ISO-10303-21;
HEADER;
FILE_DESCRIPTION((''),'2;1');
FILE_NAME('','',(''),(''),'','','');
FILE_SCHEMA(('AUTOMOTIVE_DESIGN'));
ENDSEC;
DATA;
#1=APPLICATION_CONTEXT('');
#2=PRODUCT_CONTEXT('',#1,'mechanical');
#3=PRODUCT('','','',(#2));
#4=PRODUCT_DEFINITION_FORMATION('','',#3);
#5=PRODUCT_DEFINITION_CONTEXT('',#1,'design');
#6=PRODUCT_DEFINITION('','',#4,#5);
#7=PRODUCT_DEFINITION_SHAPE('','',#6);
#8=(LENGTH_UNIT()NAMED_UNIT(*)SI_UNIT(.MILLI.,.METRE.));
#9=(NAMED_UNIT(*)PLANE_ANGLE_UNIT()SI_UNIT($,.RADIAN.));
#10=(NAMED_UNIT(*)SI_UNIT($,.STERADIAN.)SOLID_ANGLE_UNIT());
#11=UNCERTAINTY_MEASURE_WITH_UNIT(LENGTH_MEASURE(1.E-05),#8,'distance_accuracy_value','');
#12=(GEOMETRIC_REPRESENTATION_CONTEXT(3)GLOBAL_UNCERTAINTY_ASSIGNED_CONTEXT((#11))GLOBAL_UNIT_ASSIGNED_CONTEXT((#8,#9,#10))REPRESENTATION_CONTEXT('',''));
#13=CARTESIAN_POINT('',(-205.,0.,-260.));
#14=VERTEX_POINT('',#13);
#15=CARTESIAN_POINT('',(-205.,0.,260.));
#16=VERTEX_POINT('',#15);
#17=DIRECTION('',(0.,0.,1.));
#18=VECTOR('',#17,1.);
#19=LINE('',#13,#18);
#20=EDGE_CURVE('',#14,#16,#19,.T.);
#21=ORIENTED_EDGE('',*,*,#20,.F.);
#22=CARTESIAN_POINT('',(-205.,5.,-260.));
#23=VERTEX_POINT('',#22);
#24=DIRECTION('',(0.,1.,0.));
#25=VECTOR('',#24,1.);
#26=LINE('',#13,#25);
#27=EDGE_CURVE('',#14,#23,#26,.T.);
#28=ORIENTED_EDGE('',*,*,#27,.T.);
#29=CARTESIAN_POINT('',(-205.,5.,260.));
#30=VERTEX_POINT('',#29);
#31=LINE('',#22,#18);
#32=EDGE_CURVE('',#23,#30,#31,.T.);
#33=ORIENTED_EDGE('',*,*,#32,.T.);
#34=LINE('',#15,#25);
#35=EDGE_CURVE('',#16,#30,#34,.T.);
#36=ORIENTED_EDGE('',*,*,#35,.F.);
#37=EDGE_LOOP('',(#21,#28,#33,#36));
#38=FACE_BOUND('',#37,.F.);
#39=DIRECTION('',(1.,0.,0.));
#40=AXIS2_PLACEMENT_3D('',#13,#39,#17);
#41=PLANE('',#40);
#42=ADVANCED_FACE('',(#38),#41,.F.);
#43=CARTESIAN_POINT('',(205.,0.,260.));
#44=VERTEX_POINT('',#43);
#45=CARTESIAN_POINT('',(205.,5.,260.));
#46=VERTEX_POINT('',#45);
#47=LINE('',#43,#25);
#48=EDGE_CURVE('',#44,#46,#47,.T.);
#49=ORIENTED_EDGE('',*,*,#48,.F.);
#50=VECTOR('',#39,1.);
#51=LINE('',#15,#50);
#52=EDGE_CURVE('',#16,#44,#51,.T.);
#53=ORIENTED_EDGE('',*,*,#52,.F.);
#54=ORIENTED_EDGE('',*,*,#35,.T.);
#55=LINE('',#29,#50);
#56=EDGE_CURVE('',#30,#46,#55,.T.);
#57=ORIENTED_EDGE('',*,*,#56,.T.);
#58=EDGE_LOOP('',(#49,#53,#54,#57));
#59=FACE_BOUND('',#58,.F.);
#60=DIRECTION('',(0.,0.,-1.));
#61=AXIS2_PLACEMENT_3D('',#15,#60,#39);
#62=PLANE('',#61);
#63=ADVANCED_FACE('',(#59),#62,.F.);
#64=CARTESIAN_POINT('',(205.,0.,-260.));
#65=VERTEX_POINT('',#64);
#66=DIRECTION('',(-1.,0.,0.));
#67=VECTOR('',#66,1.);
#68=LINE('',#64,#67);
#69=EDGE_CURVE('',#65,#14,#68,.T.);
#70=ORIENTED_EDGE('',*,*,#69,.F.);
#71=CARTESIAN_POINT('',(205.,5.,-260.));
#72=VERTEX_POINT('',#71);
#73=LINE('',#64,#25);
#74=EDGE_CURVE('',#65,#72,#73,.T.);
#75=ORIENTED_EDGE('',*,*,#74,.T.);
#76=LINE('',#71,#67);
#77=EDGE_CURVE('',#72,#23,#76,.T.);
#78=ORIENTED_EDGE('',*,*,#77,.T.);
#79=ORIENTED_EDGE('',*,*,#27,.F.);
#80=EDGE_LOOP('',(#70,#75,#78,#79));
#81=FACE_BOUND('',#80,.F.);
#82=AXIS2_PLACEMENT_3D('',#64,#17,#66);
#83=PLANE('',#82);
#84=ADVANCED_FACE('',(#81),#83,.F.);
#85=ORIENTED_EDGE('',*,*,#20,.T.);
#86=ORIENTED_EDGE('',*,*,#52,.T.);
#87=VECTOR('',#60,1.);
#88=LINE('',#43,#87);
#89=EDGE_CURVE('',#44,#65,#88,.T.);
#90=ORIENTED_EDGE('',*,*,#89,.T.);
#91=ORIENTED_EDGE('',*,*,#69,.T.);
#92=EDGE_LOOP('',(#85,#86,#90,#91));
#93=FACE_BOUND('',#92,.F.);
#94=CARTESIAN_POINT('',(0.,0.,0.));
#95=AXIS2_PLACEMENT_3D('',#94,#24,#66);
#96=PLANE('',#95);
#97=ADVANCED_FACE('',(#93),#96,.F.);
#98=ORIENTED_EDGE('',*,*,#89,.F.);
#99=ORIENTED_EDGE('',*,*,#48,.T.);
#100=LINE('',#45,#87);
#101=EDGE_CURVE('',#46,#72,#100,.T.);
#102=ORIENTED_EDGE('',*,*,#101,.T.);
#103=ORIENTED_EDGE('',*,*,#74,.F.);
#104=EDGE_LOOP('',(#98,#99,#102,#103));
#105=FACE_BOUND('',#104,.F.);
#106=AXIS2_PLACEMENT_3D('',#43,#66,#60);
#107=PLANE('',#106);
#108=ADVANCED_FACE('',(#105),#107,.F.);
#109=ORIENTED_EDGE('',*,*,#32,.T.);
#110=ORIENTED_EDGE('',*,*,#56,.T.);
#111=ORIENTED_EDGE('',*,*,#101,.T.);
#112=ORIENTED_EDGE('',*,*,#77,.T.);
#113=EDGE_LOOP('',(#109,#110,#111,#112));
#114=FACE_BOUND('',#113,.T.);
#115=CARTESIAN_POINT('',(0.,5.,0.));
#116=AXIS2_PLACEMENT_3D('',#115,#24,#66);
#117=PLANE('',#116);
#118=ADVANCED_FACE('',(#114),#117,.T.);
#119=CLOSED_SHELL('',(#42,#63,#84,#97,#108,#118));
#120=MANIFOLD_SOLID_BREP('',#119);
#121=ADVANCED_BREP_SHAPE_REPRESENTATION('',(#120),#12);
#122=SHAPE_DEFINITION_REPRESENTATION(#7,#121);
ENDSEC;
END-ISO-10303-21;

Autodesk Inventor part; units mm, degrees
ref_plane "YZ Plane" through (0, 0, 0) normal (1, 0, 0) x (0, 1, 0)
ref_plane "XZ Plane" through (0, 0, 0) normal (0, 1, 0) x (-1, 0, 0)
ref_plane "XY Plane" through (0, 0, 0) normal (0, 0, 1) x (1, 0, 0)
sketch "Sketch1" plane through (0, 0, 0) normal (0, 1, 0) x (-1, 0, 0)
  line L0 (205, 260) -> (-205, 260)
  line L1 (-205, 260) -> (-205, -260)
  line L2 (-205, -260) -> (205, -260)
  line L3 (205, -260) -> (205, 260)
  line L4 (205, 260) -> (-205, -260) construction
  line L5 (-205, 260) -> (205, -260) construction
  point P0 (0, 0)
  dimension "d0" = 410
  dimension "d1" = 520
extrude "Extrusion1" add sketch "Sketch1" along normal blind 5
properties part number "Battery_base"
